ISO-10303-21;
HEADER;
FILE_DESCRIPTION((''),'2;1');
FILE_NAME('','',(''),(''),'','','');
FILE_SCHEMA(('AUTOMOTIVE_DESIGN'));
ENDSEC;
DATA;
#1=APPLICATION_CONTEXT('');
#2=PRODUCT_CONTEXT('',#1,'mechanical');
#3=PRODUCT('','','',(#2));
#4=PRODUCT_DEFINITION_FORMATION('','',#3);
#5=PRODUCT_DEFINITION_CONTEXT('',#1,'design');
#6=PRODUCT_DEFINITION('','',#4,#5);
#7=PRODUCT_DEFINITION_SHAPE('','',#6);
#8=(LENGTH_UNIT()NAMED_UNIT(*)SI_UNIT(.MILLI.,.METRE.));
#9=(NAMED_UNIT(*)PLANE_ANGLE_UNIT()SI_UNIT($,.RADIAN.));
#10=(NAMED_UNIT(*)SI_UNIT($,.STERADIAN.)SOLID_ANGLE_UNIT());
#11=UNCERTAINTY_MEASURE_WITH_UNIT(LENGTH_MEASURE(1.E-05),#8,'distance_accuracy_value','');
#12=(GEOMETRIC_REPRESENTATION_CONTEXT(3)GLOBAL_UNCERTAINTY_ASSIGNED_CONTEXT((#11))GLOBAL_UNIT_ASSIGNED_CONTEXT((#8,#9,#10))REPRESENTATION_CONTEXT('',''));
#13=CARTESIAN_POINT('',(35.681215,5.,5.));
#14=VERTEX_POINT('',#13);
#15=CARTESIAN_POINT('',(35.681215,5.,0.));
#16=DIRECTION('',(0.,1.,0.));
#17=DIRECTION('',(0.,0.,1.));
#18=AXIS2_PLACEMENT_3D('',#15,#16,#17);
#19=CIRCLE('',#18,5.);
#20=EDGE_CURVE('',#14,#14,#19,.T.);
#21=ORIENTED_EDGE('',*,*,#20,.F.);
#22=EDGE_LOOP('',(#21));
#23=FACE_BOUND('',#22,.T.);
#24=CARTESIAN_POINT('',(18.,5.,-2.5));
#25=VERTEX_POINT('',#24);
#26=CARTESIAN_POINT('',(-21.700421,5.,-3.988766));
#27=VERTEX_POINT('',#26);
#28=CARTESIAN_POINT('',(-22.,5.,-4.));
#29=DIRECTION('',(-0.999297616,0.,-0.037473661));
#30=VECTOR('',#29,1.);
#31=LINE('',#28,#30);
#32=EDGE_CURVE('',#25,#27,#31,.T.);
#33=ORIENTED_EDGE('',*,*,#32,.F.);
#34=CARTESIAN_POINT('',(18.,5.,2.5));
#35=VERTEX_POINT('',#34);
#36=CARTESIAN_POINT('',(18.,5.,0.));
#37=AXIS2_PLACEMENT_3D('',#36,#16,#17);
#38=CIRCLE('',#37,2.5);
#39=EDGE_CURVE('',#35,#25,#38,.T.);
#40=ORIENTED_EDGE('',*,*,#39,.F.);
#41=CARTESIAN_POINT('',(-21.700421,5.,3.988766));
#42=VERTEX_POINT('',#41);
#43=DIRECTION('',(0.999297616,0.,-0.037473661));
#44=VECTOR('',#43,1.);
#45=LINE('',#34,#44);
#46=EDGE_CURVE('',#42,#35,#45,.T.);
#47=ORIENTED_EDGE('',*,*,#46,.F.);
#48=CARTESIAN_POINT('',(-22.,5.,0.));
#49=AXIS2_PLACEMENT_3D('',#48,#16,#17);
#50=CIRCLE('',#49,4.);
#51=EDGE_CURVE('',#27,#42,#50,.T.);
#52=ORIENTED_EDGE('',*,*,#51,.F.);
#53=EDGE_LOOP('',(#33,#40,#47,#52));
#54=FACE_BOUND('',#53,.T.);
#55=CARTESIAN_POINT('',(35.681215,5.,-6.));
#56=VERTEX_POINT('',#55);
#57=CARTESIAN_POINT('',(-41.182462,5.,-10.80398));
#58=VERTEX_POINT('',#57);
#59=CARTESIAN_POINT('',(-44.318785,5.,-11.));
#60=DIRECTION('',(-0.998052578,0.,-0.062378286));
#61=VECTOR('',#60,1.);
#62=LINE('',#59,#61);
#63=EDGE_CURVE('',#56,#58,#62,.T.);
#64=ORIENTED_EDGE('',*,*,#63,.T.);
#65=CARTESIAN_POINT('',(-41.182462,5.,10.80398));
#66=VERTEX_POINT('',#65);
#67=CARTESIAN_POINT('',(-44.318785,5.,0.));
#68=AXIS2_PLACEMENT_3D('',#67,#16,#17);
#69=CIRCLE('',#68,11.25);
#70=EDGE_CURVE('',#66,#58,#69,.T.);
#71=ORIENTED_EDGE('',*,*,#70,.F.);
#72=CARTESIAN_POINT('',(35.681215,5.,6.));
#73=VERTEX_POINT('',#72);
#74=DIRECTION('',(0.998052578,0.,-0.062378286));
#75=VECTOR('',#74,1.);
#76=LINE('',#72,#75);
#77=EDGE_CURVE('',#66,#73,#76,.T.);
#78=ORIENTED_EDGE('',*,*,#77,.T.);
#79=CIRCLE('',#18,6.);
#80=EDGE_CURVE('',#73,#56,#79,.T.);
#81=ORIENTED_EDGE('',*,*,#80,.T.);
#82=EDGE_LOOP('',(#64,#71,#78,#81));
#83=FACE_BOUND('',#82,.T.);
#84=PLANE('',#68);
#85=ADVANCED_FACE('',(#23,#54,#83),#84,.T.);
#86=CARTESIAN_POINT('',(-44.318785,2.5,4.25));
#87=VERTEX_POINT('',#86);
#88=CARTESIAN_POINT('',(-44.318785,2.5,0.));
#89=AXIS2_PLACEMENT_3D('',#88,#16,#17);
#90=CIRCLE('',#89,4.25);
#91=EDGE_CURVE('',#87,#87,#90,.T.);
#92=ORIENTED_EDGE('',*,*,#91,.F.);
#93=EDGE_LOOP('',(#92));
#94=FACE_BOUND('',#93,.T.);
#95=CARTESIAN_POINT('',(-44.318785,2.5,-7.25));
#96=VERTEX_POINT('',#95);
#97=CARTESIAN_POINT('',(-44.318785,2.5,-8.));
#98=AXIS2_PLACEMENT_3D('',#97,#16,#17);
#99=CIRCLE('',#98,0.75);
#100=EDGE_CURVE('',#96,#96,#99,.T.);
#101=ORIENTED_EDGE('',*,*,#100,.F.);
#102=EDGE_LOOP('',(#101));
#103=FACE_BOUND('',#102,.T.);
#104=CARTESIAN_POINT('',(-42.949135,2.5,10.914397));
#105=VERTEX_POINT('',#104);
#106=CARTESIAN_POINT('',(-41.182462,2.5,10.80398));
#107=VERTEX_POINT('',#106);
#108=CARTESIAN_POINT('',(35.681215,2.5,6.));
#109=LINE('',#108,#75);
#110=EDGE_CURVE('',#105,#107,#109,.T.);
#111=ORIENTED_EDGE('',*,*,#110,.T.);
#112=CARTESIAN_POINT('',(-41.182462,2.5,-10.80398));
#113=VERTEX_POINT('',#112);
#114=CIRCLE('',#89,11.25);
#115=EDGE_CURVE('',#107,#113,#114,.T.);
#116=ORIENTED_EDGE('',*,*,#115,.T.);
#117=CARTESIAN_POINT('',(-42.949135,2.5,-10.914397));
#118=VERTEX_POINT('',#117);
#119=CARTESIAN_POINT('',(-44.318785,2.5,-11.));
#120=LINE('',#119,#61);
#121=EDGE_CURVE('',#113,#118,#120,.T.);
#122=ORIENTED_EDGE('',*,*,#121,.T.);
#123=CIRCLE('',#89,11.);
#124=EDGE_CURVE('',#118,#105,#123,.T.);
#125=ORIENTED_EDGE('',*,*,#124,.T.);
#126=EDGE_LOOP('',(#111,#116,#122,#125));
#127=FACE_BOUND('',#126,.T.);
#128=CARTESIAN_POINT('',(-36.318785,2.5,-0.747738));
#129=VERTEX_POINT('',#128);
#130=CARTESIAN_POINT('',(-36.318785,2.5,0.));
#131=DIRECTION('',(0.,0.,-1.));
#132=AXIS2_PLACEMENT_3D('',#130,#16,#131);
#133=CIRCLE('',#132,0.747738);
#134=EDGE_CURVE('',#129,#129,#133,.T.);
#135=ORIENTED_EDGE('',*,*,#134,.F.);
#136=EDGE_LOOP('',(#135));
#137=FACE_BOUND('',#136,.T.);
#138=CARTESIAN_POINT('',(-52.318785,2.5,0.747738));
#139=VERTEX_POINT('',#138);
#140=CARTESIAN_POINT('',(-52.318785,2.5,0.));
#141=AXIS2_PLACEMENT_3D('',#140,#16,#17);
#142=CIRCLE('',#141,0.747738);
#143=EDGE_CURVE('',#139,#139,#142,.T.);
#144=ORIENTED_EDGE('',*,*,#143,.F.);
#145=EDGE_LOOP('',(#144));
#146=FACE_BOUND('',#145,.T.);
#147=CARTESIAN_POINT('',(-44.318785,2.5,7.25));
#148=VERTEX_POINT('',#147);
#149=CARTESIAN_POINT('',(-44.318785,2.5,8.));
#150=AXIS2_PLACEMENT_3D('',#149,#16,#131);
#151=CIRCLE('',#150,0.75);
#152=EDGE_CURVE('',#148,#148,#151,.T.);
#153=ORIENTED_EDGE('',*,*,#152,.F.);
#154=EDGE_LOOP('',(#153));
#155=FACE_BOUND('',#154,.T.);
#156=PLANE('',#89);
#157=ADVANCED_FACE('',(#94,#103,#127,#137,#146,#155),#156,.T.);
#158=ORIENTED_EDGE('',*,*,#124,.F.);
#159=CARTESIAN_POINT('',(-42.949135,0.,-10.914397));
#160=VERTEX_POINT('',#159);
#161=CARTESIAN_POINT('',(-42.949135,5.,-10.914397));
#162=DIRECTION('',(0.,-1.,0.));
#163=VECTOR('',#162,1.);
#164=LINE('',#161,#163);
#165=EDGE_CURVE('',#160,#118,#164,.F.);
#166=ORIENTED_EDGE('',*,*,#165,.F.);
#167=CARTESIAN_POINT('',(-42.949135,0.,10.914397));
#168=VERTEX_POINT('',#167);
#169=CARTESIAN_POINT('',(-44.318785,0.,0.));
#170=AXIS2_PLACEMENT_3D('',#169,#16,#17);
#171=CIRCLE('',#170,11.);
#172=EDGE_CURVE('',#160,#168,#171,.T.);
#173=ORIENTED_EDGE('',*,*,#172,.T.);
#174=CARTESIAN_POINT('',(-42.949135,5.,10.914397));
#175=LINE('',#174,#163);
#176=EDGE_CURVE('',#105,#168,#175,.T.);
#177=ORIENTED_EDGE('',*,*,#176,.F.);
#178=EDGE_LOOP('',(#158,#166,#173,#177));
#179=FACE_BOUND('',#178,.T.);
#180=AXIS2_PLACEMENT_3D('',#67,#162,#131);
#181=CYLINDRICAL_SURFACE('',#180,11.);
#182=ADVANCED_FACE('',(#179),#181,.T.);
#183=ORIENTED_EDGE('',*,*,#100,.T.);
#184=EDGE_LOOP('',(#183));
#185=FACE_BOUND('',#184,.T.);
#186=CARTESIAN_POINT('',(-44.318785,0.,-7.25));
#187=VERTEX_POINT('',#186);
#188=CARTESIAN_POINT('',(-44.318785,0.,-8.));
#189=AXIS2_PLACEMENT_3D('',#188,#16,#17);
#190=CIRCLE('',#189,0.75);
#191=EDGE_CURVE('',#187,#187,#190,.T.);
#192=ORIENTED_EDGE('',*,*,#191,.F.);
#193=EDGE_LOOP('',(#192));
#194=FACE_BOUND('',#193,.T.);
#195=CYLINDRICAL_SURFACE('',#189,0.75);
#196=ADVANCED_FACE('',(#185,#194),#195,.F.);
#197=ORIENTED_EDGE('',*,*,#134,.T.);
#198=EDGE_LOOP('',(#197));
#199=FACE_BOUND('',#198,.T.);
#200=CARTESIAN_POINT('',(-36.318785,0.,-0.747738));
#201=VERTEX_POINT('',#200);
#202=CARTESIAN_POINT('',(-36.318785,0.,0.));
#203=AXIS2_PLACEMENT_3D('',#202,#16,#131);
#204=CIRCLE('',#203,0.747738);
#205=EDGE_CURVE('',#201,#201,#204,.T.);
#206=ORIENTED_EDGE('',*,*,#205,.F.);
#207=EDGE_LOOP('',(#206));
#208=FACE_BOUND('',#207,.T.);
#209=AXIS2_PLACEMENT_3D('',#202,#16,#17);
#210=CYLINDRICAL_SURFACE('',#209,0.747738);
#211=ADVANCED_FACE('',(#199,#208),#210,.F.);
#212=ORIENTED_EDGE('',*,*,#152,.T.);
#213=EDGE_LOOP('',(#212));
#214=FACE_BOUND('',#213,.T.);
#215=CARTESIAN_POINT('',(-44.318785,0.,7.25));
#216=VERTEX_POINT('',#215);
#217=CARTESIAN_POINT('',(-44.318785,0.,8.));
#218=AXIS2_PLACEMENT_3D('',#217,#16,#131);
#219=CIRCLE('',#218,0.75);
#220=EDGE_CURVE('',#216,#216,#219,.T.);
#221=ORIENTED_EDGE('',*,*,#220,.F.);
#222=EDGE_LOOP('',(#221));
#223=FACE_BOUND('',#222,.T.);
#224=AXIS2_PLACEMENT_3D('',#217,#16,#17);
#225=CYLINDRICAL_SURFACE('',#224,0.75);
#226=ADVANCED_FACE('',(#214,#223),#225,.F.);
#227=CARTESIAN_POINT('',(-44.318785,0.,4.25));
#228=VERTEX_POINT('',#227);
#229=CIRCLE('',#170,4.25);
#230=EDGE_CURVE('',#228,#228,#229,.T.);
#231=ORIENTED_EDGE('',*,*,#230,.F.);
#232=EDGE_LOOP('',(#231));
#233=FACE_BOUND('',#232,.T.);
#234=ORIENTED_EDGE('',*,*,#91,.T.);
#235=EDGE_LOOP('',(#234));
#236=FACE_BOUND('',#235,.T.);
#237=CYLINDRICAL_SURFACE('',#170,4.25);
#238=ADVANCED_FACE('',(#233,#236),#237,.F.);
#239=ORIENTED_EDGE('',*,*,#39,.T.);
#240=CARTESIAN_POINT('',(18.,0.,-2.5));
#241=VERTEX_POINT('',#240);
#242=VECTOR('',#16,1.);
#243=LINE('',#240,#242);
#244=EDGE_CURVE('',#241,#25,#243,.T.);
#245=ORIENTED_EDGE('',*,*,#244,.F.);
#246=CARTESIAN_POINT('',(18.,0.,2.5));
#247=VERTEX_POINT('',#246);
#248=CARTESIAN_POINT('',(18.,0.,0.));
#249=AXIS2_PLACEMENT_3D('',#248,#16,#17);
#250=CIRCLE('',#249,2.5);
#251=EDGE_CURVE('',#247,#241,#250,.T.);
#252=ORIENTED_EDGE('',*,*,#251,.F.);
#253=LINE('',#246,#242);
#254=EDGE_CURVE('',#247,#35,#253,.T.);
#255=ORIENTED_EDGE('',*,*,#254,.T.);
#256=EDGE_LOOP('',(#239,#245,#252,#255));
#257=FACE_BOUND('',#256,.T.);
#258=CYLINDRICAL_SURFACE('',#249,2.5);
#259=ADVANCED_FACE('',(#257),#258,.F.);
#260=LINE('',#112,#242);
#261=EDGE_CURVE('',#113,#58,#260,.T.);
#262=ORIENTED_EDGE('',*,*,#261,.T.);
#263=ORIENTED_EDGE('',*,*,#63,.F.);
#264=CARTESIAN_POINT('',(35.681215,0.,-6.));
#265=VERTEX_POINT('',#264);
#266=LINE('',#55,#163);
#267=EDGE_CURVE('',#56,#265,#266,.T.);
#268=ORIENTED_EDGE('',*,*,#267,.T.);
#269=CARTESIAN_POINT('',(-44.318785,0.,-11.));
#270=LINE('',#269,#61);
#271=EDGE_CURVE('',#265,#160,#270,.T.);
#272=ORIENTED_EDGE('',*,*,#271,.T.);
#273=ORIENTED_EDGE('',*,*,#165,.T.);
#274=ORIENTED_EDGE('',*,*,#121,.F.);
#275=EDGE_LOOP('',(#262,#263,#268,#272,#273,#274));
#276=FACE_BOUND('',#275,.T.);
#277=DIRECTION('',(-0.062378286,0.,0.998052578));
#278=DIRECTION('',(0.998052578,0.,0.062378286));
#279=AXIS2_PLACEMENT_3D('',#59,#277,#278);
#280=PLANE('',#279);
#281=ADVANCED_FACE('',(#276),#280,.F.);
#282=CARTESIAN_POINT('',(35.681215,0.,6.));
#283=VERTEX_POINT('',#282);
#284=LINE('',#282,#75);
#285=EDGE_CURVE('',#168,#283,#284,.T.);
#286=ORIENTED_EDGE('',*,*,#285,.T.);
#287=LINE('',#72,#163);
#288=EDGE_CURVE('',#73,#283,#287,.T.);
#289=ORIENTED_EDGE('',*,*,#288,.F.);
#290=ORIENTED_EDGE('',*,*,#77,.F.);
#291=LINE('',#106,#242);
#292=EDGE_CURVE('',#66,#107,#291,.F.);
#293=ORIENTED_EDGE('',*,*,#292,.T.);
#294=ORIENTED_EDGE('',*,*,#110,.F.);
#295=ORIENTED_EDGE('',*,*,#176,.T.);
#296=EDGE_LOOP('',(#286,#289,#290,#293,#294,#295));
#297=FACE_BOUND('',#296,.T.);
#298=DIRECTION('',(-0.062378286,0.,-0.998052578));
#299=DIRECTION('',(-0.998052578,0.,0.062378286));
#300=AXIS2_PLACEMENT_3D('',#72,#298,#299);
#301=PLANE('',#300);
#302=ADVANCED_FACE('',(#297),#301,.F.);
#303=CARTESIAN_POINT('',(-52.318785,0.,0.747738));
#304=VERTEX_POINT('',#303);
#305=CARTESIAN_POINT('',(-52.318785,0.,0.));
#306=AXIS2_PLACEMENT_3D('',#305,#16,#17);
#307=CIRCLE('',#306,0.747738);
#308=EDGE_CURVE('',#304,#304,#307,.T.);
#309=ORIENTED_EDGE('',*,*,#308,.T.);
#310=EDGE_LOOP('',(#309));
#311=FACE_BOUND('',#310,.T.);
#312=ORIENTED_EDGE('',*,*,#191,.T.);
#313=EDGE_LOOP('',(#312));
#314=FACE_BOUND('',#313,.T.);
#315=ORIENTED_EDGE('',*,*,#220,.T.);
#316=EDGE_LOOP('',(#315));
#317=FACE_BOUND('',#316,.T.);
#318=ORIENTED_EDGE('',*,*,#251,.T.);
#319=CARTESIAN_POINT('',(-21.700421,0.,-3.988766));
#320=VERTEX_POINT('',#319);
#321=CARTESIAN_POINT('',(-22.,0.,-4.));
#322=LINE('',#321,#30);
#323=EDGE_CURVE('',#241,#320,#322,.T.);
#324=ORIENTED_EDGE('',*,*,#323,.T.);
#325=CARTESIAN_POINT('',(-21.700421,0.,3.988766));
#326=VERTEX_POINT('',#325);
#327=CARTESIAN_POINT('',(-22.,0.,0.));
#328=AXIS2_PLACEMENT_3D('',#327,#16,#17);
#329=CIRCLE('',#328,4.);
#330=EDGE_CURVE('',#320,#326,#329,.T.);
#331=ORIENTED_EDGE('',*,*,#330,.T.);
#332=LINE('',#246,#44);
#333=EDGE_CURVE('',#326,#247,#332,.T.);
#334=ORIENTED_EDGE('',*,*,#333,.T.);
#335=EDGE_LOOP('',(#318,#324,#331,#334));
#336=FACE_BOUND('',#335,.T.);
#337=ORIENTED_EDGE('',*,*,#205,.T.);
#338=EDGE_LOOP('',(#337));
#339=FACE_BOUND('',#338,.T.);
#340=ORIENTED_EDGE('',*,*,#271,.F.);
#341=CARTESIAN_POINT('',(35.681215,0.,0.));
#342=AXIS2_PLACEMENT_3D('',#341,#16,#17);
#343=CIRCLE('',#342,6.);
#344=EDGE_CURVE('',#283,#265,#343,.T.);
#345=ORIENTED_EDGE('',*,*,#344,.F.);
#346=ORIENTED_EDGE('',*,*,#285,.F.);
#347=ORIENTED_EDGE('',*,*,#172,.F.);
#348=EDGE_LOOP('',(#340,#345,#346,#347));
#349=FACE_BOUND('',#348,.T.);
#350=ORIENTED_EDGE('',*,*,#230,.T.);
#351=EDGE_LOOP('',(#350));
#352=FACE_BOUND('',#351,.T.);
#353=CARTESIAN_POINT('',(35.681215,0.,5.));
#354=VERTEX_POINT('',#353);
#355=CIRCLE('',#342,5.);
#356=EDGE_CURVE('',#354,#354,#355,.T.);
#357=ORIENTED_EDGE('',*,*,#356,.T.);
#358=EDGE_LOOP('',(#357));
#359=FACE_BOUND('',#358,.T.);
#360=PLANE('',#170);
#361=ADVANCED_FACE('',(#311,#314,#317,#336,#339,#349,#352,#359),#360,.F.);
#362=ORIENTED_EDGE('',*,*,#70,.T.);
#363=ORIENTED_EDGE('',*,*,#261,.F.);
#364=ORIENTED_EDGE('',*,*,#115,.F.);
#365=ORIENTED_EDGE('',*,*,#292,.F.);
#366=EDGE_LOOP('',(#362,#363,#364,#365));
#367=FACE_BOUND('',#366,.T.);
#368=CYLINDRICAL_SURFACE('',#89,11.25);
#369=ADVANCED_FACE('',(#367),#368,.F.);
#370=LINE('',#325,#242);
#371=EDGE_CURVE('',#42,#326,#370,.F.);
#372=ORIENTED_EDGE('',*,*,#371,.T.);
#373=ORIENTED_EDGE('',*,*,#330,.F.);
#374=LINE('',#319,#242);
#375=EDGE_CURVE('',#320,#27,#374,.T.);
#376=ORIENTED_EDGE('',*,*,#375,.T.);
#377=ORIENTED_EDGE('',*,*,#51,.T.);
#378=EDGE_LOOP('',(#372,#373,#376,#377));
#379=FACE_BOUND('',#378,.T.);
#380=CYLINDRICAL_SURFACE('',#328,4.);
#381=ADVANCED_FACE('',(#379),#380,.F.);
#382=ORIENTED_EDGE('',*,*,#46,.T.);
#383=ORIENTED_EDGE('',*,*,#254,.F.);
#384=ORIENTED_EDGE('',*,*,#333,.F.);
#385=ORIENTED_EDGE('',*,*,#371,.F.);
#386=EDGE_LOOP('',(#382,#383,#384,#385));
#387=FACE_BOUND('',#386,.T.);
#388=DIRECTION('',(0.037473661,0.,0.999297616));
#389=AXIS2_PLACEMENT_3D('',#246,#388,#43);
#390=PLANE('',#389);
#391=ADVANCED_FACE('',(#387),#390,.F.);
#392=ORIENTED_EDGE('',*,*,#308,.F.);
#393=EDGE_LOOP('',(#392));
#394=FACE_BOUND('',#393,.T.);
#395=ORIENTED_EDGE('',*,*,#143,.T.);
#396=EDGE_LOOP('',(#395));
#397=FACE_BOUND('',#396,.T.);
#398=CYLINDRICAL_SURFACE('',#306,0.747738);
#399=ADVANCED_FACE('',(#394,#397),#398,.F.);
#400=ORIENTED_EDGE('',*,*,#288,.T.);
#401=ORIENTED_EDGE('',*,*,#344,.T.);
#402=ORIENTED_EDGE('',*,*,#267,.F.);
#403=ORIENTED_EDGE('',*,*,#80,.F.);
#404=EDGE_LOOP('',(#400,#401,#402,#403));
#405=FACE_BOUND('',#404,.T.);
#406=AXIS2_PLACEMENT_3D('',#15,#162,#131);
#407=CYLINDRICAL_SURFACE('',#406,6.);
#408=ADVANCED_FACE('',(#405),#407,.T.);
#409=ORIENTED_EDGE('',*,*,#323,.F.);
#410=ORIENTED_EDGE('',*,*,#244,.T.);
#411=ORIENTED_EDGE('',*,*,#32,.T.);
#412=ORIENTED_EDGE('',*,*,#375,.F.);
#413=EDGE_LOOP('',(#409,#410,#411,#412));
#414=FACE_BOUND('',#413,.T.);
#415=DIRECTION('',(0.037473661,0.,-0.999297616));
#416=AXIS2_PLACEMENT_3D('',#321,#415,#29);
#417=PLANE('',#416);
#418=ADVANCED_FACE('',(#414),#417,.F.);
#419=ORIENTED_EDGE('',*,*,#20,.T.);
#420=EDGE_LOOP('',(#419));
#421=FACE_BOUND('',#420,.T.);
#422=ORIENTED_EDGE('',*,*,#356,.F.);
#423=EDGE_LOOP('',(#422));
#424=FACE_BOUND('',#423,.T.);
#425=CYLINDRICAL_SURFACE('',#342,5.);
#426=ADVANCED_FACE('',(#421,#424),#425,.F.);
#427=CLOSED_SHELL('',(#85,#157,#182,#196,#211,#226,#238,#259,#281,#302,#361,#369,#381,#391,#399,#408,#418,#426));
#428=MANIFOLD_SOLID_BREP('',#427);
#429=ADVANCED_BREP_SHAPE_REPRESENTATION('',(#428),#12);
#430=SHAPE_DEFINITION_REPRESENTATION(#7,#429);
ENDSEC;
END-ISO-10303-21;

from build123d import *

# Parameters (mm, degrees)
SKETCH_1_R          = 11
EXTRUDE_1_DEPTH     = 5
SKETCH_1_R_2        = 6
EXTRUDE_1_2_DEPTH   = 5
EXTRUDE_3_DEPTH     = 5
SKETCH_4_R          = 11.25
CUT_EXTRUDE_1_DEPTH = 2.5
SKETCH_5_R          = 5
CUT_EXTRUDE_2_DEPTH = 6
SKETCH_6_R          = 4
SKETCH_6_R_2        = 2.5
CUT_EXTRUDE_3_DEPTH = 6
CUT_EXTRUDE_4_DEPTH = 6
SKETCH_8_R          = 0.747737987
SKETCH_8_R_2        = 0.75
CUT_EXTRUDE_5_DEPTH = 3.5
SKETCH_9_R          = 4.25
CUT_EXTRUDE_6_DEPTH = 3.5


with BuildPart() as part:
    # 草图1 → 凸台-拉伸1 (new body)
    with BuildSketch(Plane(origin=(0, 0, 0), x_dir=(1, 0, 0), z_dir=(0, 1, 0))):
        with Locations((-44.318784969, 0)):
            Circle(SKETCH_1_R)
    extrude(amount=EXTRUDE_1_DEPTH)



with BuildPart() as body_2:
    # 草图1 → Extrude 1 2 (new body)
    with BuildSketch(Plane(origin=(0, 0, 0), x_dir=(1, 0, 0), z_dir=(0, 1, 0))):
        with Locations((35.681215031, 0)):
            Circle(SKETCH_1_R_2)
    extrude(amount=EXTRUDE_1_2_DEPTH)


with BuildPart() as part_1:
    add(part.part)

    add(body_2.part)  # 凸台-拉伸3 merges body 2
    # 草图3 → 凸台-拉伸3 (add)
    with BuildSketch(Plane(origin=(0, 0, 0), x_dir=(1, 0, 0), z_dir=(0, 1, 0))):
        Polygon((-44.318784969, 11), (35.681215031, 6), (35.681215031, -6), (-44.318784969, -11), align=None)
    extrude(amount=EXTRUDE_3_DEPTH)

    # 草图4 → 切除-拉伸1 (cut)
    with BuildSketch(Plane(origin=(0, 5, 0), x_dir=(1, 0, 0), z_dir=(0, 1, 0))):
        with Locations((-44.318784969, 0)):
            Circle(SKETCH_4_R)
    extrude(amount=-CUT_EXTRUDE_1_DEPTH, mode=Mode.SUBTRACT)

    # 草图5 → 切除-拉伸2 (cut, through all)
    with BuildSketch(Plane(origin=(0, 5, 0), x_dir=(1, 0, 0), z_dir=(0, 1, 0))):
        with Locations((35.681215031, 0)):
            Circle(SKETCH_5_R)
    extrude(amount=-CUT_EXTRUDE_2_DEPTH, mode=Mode.SUBTRACT)

    # 草图6 → 切除-拉伸3 (cut, through all)
    with BuildSketch(Plane(origin=(0, 5, 0), x_dir=(1, 0, 0), z_dir=(0, 1, 0))):
        with Locations((-22, 0)):
            Circle(SKETCH_6_R)
        with Locations((18, 0)):
            Circle(SKETCH_6_R_2)
    extrude(amount=-CUT_EXTRUDE_3_DEPTH, mode=Mode.SUBTRACT)

    # 草图7 → 切除-拉伸4 (cut, through all)
    with BuildSketch(Plane(origin=(0, 5, 0), x_dir=(1, 0, 0), z_dir=(0, 1, 0))):
        Polygon((-22, 4), (18, 2.5), (18, -2.5), (-22, -4), align=None)
    extrude(amount=-CUT_EXTRUDE_4_DEPTH, mode=Mode.SUBTRACT)

    # 草图8 → 切除-拉伸5 (cut, through all)
    with BuildSketch(Plane(origin=(0, 2.5, 0), x_dir=(1, 0, 0), z_dir=(0, 1, 0))):
        with Locations((-52.318784969, 0)):
            Circle(SKETCH_8_R)
        with Locations((-36.318784969, 0)):
            Circle(SKETCH_8_R)
        with Locations((-44.318784969, 8)):
            Circle(SKETCH_8_R_2)
        with Locations((-44.318784969, -8)):
            Circle(SKETCH_8_R_2)
    extrude(amount=-CUT_EXTRUDE_5_DEPTH, mode=Mode.SUBTRACT)

    # 草图9 → 切除-拉伸6 (cut, through all)
    with BuildSketch(Plane(origin=(0, 2.5, 0), x_dir=(1, 0, 0), z_dir=(0, 1, 0))):
        with Locations((-44.318784969, 0)):
            Circle(SKETCH_9_R)
    extrude(amount=-CUT_EXTRUDE_6_DEPTH, mode=Mode.SUBTRACT)


solid = part_1.part
